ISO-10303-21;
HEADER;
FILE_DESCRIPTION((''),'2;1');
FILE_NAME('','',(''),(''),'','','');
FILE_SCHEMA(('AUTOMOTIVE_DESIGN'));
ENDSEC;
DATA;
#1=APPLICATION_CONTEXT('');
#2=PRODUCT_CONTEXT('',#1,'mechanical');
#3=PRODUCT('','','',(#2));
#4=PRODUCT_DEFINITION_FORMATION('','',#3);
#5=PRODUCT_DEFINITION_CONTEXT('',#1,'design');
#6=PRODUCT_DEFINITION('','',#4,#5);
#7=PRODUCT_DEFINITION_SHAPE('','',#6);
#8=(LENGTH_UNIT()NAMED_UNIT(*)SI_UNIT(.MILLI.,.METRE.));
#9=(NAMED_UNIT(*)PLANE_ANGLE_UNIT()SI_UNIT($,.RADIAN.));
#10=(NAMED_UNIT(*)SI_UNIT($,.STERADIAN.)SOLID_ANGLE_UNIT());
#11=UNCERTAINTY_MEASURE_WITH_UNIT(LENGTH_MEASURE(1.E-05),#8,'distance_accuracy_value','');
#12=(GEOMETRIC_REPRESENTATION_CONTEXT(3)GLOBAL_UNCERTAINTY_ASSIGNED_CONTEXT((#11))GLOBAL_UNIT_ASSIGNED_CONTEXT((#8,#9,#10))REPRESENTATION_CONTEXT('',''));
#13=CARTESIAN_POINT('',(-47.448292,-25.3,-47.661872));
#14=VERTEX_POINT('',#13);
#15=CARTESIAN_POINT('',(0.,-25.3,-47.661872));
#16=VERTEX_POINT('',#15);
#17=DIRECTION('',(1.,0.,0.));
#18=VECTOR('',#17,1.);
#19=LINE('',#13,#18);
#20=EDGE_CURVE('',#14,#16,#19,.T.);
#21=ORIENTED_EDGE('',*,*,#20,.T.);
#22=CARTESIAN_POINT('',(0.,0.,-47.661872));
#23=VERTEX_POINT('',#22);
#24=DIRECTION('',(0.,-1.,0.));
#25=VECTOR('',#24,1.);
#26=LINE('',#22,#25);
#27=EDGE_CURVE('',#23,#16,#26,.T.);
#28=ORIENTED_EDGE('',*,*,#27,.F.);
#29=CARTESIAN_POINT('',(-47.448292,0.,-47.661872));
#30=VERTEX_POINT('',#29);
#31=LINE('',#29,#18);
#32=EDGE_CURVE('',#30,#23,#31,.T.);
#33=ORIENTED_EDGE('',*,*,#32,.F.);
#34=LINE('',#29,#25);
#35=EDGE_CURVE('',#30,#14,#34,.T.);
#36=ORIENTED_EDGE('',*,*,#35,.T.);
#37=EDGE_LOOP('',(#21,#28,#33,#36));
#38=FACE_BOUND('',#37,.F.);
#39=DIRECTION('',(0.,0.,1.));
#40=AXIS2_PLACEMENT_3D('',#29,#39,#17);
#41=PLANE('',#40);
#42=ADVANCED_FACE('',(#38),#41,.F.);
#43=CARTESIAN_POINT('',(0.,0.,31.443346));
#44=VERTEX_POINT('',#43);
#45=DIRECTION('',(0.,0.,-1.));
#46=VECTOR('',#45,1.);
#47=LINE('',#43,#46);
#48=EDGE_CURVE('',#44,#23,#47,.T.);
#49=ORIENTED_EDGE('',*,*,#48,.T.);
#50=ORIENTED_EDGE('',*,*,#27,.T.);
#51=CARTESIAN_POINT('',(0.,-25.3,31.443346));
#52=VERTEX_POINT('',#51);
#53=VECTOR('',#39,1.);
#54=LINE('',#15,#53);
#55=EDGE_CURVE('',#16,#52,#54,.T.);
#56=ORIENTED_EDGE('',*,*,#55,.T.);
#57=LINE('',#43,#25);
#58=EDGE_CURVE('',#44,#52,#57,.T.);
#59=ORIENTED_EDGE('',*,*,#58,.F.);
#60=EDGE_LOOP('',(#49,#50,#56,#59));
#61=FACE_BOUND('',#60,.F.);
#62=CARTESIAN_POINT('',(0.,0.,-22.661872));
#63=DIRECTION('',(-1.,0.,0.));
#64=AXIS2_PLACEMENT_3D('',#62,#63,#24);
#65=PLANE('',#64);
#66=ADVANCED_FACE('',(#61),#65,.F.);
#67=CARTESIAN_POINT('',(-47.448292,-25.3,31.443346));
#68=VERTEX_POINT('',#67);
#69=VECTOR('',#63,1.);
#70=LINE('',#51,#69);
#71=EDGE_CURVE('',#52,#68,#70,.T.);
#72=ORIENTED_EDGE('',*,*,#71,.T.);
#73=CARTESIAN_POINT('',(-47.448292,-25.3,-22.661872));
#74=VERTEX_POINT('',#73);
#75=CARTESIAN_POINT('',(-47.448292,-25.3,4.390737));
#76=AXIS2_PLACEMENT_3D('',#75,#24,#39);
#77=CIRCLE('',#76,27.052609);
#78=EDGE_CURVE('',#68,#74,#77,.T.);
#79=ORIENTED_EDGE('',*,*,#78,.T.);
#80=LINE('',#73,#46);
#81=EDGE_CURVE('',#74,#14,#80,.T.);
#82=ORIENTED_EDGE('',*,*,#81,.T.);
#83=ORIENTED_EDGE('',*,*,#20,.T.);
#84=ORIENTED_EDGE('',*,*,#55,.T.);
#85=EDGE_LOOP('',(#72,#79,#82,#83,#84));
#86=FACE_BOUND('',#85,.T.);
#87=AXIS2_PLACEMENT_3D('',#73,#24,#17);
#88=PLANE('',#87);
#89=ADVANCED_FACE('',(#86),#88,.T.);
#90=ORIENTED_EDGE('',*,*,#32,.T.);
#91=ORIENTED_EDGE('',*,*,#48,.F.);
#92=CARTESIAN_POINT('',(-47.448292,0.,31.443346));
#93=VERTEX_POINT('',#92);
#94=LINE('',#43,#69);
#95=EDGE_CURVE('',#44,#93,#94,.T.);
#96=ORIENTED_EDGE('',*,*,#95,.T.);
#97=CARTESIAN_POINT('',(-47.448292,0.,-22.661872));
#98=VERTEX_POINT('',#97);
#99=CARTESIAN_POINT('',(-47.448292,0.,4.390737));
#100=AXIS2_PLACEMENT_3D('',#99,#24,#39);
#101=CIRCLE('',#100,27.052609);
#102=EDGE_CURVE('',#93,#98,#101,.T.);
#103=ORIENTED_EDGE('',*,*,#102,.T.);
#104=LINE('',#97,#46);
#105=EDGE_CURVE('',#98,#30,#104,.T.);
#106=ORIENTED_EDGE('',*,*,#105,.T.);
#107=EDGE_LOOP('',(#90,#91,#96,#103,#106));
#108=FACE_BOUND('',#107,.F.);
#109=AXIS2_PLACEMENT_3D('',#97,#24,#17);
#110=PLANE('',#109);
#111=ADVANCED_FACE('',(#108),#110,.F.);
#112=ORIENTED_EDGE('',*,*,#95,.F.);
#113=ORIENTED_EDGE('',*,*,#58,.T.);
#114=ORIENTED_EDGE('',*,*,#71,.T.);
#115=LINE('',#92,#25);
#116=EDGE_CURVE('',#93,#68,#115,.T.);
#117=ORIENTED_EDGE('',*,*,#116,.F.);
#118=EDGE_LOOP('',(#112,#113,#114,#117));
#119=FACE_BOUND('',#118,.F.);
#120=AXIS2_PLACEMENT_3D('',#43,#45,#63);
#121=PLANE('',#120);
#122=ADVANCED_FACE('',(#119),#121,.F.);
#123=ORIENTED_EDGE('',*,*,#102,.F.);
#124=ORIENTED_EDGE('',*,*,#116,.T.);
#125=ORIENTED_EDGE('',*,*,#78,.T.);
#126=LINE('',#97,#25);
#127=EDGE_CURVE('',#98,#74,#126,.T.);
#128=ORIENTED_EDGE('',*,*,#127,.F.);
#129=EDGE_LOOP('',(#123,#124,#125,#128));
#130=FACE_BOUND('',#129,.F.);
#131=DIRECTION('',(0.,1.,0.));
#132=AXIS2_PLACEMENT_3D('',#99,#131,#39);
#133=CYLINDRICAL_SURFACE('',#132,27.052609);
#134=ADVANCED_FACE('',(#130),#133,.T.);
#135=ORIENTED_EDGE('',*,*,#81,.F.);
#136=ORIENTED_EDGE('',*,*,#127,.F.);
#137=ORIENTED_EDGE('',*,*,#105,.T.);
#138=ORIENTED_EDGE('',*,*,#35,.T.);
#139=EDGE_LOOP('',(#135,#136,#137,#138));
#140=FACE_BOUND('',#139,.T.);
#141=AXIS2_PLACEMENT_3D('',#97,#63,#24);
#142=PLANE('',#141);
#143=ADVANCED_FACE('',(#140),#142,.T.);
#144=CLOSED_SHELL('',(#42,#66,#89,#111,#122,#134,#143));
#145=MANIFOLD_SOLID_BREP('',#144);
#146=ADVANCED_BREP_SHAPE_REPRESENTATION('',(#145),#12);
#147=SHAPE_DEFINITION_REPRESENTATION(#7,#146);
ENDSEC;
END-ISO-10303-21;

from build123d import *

# Parameters (mm, degrees)
F1_DEPTH = 25.3
F2_DEPTH = 25


with BuildPart() as f1:
    # F0 (on Front) → F1 (new body)
    with BuildSketch(Plane.XZ):
        with BuildLine():
            ThreePointArc((-47.4482923746, 31.4433462918), (-74.5009016246, 4.3907370418), (-47.4482923746, -22.6618722081))
            Line((-47.4482923746, -22.6618722081), (0, -22.6618722081))
            Line((0, -22.6618722081), (0, 31.4433462918))
            Line((0, 31.4433462918), (-47.4482923746, 31.4433462918))
        make_face()
    extrude(amount=F1_DEPTH)

    # F2 (add): faces of the model
    f2_faces = [f1.faces().sort_by_distance(p)[0] for p in [
        (-23.7241461873, -12.65, -22.6618722081),
        (-23.7241461873, -12.65, 31.4433462918),
    ]]
    extrude(f2_faces, amount=F2_DEPTH, dir=(0, 0, -1))


solid = f1.part
